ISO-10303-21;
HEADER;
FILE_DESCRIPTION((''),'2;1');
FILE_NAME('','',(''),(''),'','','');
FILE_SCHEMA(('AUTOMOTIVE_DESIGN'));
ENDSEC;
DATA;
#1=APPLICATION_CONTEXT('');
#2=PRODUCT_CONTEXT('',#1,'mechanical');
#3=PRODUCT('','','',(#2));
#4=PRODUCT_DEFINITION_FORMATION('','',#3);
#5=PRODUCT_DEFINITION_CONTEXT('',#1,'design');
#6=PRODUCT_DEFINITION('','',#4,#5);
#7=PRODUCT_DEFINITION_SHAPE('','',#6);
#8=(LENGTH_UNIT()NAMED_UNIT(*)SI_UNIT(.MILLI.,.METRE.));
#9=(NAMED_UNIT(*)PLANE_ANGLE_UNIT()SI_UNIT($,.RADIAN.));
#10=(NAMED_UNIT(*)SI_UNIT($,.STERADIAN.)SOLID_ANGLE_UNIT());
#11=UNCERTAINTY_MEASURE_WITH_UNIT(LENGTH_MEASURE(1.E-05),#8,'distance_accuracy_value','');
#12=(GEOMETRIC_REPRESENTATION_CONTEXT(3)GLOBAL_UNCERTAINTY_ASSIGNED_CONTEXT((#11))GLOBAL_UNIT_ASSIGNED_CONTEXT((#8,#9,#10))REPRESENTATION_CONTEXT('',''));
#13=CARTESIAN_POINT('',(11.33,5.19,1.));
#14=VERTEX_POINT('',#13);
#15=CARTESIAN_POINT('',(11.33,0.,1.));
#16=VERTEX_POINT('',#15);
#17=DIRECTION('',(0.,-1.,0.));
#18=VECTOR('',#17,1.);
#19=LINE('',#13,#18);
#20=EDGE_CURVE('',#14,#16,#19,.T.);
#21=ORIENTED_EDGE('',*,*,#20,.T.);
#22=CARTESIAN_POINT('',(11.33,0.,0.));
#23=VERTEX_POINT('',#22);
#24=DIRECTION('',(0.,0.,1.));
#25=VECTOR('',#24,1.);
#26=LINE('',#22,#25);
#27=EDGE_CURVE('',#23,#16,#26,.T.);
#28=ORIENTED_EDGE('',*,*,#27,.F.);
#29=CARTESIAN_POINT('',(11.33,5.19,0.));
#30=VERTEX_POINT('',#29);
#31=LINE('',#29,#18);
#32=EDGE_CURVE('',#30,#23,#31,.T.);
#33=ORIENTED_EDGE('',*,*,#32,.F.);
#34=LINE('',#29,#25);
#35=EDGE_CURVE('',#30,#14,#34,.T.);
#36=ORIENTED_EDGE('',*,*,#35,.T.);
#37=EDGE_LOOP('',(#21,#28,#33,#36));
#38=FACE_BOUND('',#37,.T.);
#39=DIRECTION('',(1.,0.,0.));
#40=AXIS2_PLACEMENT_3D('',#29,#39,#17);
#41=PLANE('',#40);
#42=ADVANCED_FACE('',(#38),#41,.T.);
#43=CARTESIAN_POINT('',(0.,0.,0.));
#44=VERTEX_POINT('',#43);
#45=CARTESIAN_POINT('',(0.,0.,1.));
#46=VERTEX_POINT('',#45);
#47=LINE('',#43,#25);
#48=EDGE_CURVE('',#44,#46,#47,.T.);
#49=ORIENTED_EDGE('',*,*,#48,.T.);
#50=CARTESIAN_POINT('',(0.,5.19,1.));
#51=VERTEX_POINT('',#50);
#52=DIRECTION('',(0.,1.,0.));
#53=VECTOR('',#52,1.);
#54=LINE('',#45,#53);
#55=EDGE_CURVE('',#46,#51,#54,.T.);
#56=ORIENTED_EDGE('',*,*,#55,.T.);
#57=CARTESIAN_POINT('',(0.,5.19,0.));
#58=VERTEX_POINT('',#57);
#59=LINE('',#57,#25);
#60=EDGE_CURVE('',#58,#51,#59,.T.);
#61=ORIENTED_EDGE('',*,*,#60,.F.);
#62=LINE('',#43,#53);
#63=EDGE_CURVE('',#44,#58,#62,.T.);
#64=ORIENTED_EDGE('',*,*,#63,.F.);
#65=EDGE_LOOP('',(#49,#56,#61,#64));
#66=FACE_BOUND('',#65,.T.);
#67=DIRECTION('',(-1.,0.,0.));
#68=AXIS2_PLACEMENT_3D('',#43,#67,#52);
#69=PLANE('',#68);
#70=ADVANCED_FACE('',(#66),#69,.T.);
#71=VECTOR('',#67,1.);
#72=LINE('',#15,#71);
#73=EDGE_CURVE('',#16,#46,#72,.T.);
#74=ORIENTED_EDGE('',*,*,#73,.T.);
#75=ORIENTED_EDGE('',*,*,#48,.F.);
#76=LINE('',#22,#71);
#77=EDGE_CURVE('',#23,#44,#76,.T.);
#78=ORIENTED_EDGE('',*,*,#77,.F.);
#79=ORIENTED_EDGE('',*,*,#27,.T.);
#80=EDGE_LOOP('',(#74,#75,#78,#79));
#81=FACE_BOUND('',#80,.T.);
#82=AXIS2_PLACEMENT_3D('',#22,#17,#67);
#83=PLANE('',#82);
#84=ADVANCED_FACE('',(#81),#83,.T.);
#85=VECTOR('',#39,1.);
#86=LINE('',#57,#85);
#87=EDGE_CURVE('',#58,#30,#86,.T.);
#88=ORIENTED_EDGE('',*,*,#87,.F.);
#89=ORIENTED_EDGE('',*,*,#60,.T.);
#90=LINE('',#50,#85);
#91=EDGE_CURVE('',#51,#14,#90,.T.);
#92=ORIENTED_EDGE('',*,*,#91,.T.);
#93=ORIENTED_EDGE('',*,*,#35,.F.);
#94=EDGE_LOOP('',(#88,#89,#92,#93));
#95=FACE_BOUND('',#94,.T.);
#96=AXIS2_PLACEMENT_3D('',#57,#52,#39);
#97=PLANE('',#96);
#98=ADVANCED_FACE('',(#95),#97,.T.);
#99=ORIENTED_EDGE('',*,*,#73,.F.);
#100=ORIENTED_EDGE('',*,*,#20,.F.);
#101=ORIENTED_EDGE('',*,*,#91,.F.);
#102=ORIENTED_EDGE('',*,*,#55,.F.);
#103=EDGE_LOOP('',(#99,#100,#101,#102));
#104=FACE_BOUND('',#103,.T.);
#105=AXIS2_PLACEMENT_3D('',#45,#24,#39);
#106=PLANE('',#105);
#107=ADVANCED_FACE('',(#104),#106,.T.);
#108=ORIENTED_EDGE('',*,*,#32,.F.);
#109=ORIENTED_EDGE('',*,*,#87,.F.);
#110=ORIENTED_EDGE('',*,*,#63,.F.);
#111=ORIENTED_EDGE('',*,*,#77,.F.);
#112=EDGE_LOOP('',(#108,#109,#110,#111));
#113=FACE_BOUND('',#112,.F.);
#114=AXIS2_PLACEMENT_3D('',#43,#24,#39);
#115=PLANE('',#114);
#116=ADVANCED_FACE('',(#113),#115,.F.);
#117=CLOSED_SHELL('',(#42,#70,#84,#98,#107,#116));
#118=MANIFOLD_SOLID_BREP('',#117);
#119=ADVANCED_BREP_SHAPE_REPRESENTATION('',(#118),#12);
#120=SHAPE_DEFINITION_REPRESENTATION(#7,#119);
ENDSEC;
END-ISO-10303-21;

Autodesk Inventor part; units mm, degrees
ref_plane "YZ Plane" through (0, 0, 0) normal (1, 0, 0) x (0, 1, 0)
ref_plane "XZ Plane" through (0, 0, 0) normal (0, 1, 0) x (-1, 0, 0)
ref_plane "XY Plane" through (0, 0, 0) normal (0, 0, 1) x (1, 0, 0)
sketch "SFE_LOGO_NAME_FLAME__1, SFE_LOGO_NAME_FLAME_1_INCH_65" plane through (0, 0, 0) normal (0, 0, 1) x (1, 0, 0)
  line L0 (0, 5.19) -> (11.33, 5.19)
  line L1 (11.33, 5.19) -> (11.33, 0)
  line L2 (11.33, 0) -> (0, 0)
  line L3 (0, 0) -> (0, 5.19)
extrude "Extrusion1" add sketch "SFE_LOGO_NAME_FLAME__1, SFE_LOGO_NAME_FLAME_1_INCH_65" along normal blind 1
properties part number "SFE_LOGO_NAME_FLAME_1_INCH"
